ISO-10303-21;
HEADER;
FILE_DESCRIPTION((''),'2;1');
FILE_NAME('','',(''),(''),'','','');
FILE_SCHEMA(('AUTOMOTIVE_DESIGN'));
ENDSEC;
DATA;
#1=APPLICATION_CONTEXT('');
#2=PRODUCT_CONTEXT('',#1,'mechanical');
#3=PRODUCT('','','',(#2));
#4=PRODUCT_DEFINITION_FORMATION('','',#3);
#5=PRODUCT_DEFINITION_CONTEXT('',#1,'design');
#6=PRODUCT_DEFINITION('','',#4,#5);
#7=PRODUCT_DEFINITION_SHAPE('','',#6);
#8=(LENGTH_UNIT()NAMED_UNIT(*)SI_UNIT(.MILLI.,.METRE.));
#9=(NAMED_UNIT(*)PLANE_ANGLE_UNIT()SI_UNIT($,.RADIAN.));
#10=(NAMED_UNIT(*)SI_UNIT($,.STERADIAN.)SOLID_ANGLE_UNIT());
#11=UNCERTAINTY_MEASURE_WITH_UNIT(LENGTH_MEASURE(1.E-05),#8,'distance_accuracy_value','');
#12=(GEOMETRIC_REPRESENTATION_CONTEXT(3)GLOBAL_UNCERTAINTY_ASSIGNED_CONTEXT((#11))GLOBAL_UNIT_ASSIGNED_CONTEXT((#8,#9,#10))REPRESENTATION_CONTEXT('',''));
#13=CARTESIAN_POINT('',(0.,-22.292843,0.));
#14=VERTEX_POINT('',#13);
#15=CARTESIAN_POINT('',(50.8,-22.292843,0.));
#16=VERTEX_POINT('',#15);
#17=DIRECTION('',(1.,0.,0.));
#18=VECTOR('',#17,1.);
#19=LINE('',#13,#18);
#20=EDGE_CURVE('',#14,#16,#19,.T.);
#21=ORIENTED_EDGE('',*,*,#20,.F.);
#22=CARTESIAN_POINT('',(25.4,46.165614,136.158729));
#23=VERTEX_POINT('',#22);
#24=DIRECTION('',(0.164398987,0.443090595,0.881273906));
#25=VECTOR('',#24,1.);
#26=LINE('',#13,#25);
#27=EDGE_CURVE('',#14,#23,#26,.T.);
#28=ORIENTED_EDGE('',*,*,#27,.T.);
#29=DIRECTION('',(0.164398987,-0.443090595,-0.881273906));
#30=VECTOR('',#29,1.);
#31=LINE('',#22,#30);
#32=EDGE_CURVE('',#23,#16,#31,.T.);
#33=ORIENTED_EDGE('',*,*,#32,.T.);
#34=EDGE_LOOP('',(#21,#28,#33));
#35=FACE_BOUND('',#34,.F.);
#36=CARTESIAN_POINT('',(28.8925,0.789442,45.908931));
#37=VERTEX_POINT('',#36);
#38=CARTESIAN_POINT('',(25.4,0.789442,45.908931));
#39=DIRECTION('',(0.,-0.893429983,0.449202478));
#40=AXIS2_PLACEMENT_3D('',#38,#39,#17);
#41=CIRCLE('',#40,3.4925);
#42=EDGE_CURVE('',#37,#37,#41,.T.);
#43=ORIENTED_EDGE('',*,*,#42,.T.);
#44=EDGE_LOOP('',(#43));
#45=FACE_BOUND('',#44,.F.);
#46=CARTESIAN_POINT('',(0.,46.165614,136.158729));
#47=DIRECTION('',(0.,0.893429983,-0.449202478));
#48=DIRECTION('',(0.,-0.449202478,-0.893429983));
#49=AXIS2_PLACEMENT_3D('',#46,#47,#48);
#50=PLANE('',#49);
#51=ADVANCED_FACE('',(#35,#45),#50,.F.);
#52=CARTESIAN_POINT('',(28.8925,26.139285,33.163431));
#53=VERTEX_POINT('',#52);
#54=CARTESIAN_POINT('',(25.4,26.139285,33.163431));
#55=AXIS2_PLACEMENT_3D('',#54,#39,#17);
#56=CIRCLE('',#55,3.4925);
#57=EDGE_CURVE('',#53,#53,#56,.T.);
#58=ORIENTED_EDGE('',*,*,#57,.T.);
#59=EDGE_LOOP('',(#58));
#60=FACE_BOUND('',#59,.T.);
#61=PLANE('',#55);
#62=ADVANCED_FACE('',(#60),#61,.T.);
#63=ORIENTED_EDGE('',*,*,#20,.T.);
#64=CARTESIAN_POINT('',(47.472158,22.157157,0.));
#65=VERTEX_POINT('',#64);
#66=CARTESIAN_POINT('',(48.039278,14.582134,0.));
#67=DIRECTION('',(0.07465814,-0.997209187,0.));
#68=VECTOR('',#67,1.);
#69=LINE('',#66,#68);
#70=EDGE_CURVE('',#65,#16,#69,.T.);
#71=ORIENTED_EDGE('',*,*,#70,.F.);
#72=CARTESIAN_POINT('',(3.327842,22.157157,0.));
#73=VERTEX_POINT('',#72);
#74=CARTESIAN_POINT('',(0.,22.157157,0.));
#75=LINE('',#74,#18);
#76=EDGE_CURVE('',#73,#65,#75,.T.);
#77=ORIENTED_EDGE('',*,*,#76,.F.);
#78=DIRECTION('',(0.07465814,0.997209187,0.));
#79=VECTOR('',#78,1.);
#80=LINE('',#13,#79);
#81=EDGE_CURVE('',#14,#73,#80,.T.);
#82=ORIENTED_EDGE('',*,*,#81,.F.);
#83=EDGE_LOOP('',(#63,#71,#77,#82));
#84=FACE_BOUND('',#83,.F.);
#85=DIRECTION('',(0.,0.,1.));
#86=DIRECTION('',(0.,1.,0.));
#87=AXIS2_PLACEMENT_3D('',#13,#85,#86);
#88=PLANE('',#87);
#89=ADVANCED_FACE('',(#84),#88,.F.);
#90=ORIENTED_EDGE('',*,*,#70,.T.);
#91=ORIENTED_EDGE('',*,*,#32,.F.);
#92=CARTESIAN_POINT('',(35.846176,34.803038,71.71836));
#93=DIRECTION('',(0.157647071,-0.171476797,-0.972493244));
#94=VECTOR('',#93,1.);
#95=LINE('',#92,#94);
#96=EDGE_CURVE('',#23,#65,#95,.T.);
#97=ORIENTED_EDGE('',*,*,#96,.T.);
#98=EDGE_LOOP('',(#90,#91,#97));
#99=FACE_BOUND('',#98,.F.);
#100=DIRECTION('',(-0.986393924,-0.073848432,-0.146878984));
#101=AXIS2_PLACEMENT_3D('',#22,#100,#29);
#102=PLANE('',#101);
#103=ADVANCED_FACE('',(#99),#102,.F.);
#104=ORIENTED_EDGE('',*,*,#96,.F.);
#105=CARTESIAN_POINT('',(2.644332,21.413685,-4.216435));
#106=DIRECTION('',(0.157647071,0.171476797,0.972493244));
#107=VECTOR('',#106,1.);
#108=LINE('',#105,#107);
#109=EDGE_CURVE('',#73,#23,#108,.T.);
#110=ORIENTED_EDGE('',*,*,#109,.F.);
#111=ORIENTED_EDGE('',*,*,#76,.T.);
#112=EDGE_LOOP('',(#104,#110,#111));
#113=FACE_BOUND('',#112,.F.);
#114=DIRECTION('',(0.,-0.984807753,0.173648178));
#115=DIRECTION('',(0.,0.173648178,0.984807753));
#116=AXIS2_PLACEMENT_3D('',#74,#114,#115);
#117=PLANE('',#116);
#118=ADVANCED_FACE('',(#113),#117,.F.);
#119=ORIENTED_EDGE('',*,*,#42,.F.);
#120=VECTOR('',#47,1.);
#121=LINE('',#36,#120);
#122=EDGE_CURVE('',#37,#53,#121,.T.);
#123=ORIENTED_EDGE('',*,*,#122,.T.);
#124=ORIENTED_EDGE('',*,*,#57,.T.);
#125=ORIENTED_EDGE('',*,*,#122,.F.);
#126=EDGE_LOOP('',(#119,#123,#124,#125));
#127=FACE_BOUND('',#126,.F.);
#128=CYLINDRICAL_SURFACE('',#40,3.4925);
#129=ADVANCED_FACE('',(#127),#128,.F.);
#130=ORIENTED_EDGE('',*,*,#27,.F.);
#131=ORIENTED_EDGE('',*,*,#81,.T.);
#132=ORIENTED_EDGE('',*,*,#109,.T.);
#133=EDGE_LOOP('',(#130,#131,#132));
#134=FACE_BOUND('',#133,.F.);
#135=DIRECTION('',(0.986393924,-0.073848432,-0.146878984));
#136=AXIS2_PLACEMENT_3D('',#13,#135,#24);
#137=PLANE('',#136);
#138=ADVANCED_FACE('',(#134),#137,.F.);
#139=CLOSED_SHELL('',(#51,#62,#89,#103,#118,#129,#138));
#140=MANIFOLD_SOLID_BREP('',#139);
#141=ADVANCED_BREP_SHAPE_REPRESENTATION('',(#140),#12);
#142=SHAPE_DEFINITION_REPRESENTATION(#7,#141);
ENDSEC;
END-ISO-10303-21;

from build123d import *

# Parameters (mm, degrees)
F1_DEPTH = 50.8
F3_DEPTH = 61.1638386197
F4_R     = 3.4925
F5_DEPTH = 28.37362


with BuildPart() as f1:
    # F0 (on Right) → F1 (new body)
    with BuildSketch(Plane.YZ):
        Polygon((46.165614252, 136.1587293462), (-22.2928433907, 0), (22.1571566093, 0), align=None)
    extrude(amount=F1_DEPTH)

    # F2 (on face) → F3 (cut, through all)
    with BuildSketch(Plane(origin=(0, -17.7945295552, 8.9468082853), x_dir=(1, 0, 0), z_dir=(0, -0.8934299826, 0.449202478))):
        Polygon((0, 142.3859995079), (0, -10.0140004921), (25.4, 142.3859995079), align=None)
        Polygon((50.8, 142.3859995079), (25.4, 142.3859995079), (50.8, -10.0140004921), align=None)
    extrude(amount=-F3_DEPTH, mode=Mode.SUBTRACT)

    # F4 (on face) → F5 (cut)
    with BuildSketch(Plane(origin=(0, -17.7945295552, 8.9468082853), x_dir=(1, 0, 0), z_dir=(0, -0.8934299826, 0.449202478))):
        with Locations((25.4, 41.371035104)):
            Circle(F4_R)
    extrude(amount=-F5_DEPTH, mode=Mode.SUBTRACT)


solid = f1.part
